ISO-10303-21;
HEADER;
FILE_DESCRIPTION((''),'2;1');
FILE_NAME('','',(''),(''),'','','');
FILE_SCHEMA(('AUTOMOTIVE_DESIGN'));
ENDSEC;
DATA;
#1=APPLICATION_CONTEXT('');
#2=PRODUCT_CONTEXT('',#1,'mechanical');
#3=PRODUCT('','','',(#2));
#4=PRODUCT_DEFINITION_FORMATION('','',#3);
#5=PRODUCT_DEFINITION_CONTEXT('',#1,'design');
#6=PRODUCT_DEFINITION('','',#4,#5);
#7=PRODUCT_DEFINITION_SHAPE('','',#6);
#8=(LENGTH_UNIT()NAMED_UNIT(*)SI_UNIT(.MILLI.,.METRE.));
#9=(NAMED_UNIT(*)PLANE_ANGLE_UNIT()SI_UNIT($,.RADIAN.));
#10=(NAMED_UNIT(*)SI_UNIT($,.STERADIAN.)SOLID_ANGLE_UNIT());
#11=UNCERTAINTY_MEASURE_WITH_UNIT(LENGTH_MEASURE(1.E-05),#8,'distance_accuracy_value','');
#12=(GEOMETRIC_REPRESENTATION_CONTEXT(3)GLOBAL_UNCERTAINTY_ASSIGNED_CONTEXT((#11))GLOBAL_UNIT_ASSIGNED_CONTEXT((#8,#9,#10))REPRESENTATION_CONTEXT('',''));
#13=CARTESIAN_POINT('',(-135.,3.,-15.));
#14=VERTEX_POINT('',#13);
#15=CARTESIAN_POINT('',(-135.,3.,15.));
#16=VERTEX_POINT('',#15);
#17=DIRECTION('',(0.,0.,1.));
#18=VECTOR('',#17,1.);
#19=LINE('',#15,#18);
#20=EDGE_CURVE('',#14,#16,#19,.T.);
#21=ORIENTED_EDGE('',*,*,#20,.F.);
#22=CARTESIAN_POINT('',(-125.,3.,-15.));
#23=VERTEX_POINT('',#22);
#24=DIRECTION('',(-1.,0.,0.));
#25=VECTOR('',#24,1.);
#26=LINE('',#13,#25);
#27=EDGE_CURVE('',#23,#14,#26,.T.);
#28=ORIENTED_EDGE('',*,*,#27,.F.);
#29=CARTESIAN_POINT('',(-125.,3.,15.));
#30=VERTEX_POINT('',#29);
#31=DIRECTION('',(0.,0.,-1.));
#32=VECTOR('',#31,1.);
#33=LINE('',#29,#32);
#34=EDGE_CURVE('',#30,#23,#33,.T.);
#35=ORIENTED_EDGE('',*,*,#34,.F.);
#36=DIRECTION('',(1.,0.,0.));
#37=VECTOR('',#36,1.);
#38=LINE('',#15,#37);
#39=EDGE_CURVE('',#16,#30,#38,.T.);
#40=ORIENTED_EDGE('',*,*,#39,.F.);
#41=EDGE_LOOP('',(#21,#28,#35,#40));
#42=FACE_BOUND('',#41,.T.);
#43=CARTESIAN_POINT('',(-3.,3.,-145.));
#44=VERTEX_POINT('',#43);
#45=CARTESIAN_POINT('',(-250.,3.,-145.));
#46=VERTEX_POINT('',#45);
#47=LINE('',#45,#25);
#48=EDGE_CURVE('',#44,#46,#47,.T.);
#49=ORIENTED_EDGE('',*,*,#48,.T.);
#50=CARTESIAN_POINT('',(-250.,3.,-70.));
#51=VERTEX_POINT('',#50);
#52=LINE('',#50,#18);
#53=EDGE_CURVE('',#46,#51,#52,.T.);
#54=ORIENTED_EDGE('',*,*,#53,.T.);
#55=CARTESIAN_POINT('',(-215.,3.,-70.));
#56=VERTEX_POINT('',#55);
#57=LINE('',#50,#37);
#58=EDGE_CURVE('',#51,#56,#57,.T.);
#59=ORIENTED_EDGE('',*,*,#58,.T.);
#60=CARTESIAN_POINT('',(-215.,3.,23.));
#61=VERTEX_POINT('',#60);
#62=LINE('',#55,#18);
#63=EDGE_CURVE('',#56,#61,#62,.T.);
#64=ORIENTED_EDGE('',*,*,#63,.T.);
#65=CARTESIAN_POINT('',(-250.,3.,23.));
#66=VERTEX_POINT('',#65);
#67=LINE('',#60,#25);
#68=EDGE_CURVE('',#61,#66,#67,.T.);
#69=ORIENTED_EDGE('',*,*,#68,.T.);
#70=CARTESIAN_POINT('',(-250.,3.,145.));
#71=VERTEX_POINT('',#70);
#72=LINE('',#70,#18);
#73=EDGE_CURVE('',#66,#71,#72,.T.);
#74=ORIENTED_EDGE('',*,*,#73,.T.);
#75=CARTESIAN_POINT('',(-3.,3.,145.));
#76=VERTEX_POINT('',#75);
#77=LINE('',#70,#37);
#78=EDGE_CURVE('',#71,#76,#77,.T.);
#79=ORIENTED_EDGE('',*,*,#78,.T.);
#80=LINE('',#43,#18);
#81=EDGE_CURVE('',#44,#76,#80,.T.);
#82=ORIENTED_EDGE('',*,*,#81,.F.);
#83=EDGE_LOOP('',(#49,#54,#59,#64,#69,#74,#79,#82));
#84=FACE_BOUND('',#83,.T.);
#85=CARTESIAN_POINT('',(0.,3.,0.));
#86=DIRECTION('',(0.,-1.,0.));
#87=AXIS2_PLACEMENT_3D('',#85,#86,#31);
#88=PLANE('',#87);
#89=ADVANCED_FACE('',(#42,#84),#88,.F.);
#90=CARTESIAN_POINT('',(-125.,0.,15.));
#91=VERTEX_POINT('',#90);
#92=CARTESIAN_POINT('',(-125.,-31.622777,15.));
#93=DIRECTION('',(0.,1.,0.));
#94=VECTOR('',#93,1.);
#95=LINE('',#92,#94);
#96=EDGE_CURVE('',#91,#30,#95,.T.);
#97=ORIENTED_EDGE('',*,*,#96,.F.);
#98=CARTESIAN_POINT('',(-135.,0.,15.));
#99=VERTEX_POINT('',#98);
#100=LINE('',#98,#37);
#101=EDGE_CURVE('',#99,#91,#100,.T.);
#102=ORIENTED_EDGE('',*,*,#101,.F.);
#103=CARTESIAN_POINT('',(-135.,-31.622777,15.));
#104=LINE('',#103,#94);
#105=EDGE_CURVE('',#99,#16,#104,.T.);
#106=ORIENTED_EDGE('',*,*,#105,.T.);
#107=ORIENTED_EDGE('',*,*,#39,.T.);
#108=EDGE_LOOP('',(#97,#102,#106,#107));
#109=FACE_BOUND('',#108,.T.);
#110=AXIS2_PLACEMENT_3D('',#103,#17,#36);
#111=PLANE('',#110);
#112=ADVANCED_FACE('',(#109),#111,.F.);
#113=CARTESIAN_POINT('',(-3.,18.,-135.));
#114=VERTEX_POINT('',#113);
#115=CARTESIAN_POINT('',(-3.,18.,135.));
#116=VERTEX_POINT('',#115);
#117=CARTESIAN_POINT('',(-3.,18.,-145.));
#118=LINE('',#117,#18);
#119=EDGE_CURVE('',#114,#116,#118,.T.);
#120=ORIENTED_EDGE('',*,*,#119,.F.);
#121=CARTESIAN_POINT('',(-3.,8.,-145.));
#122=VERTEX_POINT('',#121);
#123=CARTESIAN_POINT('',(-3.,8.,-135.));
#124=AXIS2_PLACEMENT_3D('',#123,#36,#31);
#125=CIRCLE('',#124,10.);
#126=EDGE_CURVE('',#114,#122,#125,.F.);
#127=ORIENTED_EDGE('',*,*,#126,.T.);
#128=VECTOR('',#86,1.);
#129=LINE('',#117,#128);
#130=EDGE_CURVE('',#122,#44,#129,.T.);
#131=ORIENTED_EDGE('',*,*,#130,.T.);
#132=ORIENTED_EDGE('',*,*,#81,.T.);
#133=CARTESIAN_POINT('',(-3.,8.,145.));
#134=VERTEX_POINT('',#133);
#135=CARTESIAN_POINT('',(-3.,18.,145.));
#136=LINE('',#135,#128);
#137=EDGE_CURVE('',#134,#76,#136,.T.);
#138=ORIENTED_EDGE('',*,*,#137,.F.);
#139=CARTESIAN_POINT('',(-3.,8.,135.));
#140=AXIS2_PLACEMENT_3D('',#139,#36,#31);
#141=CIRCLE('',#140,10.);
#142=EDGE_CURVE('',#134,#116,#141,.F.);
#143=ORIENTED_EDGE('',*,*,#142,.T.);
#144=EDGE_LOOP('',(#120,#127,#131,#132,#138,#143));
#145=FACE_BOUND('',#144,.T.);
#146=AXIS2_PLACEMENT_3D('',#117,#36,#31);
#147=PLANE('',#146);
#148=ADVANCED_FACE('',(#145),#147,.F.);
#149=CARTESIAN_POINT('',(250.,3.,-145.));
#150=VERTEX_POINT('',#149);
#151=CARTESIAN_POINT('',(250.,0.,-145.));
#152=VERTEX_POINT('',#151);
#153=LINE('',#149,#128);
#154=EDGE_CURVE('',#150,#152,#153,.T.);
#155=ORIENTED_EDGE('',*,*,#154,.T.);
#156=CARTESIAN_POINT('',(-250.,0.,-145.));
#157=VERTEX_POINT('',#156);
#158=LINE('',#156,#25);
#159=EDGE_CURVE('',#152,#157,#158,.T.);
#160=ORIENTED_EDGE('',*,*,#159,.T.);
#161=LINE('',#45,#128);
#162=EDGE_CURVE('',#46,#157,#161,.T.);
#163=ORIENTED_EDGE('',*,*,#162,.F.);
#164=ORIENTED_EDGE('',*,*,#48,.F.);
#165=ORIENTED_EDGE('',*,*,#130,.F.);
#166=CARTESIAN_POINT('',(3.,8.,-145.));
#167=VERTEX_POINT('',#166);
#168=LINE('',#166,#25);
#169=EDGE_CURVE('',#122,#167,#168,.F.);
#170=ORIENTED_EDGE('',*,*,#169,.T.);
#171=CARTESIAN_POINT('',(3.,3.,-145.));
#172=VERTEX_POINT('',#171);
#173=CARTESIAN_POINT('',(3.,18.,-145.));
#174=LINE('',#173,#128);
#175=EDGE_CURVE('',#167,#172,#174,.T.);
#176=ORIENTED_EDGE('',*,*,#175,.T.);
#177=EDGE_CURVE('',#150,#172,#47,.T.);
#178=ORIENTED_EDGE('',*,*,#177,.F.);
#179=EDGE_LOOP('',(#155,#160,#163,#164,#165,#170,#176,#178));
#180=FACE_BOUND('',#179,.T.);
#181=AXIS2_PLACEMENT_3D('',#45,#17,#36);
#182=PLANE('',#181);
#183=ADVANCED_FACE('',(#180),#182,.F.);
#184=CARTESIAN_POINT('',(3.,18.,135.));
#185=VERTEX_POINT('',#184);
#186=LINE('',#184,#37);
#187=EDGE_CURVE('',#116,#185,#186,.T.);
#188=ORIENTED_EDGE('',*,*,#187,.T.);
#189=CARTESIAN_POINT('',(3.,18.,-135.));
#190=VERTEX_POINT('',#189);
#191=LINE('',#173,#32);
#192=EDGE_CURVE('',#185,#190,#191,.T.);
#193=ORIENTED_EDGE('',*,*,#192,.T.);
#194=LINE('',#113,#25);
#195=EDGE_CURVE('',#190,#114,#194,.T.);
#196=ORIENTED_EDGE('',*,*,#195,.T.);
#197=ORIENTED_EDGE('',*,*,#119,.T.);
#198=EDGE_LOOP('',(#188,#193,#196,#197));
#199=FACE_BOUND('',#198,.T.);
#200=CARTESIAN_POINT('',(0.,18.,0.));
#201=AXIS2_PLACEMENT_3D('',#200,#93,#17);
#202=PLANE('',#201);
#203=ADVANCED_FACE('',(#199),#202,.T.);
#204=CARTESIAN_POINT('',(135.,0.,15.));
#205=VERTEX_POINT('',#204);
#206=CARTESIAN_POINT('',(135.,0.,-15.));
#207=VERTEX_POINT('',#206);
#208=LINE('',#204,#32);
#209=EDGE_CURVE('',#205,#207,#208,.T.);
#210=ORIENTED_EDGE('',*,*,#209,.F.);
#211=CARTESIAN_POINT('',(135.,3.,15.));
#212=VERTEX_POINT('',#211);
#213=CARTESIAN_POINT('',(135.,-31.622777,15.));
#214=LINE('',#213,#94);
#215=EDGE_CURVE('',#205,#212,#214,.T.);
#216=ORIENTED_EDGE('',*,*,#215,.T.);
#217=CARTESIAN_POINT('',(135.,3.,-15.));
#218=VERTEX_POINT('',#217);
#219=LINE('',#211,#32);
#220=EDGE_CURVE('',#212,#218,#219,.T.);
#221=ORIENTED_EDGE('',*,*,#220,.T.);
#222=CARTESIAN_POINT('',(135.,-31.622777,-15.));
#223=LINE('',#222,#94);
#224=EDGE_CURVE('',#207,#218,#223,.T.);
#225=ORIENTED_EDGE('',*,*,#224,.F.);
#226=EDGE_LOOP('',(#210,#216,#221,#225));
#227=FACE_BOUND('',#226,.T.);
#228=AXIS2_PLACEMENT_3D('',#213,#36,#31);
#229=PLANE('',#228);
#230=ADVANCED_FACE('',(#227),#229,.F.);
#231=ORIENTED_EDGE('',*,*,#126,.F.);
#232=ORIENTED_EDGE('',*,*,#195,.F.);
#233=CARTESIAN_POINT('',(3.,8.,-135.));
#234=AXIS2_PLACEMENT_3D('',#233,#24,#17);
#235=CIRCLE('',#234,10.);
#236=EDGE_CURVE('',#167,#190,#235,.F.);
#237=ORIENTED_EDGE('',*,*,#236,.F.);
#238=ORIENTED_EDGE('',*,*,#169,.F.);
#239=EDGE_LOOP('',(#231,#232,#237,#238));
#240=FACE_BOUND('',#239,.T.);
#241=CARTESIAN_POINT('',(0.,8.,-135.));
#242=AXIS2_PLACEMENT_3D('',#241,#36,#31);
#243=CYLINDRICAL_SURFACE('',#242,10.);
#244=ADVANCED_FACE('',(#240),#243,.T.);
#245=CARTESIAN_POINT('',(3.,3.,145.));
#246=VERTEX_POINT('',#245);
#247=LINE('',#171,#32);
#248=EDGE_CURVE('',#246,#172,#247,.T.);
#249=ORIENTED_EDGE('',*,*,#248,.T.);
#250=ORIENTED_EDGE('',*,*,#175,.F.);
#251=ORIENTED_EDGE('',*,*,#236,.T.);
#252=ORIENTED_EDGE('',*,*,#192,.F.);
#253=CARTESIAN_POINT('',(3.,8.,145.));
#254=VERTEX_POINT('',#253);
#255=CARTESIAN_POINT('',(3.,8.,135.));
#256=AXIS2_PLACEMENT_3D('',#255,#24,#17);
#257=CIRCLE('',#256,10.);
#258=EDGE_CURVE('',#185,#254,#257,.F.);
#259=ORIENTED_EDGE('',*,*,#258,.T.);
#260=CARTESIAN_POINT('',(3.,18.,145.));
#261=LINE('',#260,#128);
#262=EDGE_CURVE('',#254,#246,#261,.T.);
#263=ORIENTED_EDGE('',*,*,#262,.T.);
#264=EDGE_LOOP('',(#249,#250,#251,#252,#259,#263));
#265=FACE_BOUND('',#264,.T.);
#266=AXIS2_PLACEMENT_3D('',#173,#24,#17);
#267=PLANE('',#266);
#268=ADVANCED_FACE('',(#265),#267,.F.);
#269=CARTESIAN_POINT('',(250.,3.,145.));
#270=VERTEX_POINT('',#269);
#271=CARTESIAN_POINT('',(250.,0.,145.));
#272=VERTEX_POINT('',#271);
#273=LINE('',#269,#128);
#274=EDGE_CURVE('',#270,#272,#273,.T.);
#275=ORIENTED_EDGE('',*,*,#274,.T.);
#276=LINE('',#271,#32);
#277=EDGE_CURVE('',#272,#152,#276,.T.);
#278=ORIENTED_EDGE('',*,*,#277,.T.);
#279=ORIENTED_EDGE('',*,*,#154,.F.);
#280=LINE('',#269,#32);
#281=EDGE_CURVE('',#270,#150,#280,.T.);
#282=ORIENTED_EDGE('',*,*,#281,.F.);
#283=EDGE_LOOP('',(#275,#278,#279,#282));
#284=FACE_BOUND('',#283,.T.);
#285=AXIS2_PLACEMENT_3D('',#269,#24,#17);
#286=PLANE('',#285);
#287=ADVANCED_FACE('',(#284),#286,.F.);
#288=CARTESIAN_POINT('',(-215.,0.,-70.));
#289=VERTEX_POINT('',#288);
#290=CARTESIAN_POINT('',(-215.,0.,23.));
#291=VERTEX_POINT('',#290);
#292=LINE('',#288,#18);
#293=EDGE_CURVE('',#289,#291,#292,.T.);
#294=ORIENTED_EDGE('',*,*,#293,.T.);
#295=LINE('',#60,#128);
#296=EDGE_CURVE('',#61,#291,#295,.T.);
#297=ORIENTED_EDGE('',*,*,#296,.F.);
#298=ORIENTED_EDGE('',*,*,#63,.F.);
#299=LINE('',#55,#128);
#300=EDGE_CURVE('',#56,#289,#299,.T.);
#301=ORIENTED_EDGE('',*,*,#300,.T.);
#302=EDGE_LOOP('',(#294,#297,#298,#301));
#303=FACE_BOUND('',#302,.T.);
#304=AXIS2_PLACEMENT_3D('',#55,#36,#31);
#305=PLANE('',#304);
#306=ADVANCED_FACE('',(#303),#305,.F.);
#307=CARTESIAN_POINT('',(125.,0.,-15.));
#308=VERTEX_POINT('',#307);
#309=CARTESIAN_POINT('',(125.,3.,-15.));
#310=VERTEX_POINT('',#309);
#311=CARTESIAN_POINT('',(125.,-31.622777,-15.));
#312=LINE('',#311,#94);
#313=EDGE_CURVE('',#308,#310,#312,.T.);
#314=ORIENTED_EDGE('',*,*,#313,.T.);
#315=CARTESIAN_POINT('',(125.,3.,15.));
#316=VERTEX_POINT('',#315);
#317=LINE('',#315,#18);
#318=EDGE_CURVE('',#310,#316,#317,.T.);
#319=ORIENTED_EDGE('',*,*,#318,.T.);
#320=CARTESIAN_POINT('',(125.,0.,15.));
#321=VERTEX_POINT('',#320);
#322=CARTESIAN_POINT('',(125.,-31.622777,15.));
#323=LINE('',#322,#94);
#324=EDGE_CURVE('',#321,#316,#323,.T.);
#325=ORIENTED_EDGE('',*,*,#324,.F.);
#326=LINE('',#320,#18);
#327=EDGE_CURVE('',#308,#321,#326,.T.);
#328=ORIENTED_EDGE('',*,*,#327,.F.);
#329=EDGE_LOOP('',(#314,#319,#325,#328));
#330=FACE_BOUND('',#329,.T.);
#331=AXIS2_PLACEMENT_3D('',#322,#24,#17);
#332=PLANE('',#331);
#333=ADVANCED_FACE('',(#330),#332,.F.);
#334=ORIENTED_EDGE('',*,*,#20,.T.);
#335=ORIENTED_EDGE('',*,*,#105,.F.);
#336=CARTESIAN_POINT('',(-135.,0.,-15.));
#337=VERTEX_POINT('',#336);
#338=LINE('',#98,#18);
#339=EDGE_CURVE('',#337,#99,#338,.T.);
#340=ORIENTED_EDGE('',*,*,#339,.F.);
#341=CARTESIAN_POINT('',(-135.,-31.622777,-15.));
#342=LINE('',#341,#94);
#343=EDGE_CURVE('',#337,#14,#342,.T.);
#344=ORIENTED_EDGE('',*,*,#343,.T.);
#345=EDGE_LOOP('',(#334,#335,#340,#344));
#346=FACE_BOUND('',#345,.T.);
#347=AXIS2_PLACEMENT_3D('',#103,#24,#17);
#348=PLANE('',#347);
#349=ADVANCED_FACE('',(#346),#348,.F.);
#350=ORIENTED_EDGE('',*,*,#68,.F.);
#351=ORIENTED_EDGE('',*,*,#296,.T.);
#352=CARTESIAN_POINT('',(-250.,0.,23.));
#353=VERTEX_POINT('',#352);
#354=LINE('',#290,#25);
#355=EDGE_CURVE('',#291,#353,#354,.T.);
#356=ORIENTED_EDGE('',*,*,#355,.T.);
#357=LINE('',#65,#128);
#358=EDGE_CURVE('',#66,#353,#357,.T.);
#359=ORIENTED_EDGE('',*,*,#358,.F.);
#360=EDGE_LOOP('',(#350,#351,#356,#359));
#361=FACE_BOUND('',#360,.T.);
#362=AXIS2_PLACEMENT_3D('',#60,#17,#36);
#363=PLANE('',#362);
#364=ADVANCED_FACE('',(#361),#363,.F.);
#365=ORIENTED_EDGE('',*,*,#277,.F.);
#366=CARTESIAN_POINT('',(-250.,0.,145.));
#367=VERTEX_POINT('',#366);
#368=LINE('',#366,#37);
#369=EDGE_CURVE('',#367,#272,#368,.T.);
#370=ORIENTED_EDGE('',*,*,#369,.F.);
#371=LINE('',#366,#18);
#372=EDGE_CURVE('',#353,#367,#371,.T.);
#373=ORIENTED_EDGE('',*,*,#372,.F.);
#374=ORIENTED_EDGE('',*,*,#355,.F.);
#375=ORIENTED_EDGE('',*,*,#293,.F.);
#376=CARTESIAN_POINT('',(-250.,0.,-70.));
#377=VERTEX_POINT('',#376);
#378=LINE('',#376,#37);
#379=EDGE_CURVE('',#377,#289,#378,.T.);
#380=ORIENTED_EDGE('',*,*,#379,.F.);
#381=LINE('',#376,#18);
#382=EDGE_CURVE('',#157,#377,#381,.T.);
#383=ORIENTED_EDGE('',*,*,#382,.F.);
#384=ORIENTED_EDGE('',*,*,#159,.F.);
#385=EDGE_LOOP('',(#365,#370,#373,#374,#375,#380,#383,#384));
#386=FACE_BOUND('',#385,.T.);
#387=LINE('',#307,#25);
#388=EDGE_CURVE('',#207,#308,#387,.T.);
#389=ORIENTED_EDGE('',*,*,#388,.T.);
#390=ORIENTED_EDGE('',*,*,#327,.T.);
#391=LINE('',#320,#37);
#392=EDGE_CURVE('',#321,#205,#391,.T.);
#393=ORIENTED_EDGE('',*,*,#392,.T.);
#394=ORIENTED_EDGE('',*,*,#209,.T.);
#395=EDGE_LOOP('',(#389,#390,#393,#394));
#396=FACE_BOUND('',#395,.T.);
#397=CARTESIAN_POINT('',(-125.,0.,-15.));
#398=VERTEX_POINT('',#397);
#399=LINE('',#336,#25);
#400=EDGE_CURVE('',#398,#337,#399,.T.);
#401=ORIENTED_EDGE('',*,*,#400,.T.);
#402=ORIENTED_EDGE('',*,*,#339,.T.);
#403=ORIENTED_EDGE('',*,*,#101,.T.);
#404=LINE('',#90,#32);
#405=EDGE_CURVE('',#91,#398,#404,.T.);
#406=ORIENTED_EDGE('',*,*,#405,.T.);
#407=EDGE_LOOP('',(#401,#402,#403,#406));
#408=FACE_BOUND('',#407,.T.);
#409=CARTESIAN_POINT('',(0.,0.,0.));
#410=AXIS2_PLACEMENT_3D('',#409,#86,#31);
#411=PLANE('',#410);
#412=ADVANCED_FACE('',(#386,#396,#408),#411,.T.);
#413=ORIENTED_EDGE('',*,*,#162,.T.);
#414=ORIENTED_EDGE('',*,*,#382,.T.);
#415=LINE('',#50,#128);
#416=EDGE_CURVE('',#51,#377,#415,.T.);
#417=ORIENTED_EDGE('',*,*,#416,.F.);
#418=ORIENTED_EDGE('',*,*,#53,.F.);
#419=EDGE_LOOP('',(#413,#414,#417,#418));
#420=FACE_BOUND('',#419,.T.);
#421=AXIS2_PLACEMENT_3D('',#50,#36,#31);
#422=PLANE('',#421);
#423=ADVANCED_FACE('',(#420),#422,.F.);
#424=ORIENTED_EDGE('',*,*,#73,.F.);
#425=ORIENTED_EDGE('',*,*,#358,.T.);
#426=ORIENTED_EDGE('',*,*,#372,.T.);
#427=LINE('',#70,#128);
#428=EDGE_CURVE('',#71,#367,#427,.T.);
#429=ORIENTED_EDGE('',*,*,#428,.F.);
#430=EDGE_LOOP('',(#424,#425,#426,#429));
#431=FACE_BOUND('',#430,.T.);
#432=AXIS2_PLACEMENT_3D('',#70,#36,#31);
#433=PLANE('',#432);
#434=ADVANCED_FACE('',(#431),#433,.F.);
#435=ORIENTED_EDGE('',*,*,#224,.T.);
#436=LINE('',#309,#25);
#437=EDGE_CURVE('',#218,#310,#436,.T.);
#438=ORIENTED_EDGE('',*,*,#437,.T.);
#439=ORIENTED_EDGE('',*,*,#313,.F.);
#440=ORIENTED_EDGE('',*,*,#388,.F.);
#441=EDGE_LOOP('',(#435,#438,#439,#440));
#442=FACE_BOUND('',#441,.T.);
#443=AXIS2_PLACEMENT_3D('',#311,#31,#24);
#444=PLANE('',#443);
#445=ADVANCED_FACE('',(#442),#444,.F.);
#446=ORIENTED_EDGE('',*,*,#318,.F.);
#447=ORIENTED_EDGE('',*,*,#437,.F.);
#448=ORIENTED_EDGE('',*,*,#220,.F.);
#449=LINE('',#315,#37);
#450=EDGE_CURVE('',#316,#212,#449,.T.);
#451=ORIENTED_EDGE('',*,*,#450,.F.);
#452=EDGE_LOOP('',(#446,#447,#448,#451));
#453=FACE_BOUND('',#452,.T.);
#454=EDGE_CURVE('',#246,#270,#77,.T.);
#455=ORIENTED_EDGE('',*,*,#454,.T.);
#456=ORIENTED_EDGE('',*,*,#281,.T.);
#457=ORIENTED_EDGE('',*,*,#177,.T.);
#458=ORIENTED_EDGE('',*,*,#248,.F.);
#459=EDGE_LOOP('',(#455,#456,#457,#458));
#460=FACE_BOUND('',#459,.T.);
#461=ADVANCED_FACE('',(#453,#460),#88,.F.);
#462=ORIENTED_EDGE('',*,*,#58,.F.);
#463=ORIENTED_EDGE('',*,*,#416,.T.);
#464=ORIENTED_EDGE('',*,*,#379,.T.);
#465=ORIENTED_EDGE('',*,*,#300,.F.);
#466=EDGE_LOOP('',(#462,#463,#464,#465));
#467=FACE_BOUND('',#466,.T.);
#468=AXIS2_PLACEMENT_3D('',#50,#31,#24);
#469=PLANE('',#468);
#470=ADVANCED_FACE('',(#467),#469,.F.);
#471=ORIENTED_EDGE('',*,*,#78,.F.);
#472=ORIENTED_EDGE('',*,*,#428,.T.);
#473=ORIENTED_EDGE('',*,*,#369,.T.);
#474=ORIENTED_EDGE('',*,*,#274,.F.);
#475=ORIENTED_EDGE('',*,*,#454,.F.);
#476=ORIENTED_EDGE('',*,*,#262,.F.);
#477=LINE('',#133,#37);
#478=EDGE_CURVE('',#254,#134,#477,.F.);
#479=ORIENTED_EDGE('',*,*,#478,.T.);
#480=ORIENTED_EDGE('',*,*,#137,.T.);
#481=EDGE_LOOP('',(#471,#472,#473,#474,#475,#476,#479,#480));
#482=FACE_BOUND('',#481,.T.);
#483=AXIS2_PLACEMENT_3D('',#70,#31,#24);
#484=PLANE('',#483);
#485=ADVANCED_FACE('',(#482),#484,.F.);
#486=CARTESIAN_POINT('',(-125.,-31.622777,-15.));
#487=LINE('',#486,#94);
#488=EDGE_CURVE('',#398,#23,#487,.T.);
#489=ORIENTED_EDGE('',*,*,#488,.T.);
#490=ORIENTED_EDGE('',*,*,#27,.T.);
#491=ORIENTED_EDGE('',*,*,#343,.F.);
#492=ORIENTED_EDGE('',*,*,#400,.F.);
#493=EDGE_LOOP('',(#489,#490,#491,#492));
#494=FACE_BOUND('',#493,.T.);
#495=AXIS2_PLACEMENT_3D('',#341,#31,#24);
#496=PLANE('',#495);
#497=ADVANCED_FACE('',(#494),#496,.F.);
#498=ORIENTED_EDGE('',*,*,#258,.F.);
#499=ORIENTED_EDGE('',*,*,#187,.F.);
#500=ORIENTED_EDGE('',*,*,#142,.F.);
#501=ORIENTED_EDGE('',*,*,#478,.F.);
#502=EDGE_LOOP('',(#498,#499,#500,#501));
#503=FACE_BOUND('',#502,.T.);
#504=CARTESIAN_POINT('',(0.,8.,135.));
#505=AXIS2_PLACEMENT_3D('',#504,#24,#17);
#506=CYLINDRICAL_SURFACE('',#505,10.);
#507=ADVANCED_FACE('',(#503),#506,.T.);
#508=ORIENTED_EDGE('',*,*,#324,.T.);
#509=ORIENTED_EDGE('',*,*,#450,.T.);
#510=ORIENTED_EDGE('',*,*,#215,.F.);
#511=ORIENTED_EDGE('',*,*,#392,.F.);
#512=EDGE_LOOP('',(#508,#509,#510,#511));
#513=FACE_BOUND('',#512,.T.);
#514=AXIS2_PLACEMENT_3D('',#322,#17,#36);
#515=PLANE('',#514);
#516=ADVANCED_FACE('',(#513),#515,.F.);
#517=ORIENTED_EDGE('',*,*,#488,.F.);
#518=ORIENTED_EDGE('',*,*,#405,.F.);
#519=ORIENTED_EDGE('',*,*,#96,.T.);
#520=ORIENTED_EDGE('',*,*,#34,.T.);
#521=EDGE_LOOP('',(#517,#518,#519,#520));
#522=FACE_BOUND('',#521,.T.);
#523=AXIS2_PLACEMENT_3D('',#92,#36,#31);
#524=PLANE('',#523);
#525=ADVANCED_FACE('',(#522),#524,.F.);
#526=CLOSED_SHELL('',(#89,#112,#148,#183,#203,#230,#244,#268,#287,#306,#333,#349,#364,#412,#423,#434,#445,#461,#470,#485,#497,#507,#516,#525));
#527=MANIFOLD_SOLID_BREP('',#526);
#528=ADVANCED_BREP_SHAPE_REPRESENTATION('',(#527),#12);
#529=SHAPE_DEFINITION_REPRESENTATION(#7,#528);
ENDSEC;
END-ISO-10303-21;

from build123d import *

# Parameters (mm, degrees)
BOSS_EXTRUDE1_DEPTH = 3
SKETCH2_W           = 10
SKETCH2_H           = 30
CUT_EXTRUDE1_DEPTH  = 3
SKETCH3_W           = 6
SKETCH3_H           = 290
BOSS_EXTRUDE2_DEPTH = 15
FILLET1_R           = 10


with BuildPart() as part:
    # Sketch1 → Boss-Extrude1 (new body)
    with BuildSketch(Plane(origin=(0, 0, 0), x_dir=(1, 0, 0), z_dir=(0, 1, 0))):
        Polygon((-250, -145), (250, -145), (250, 145), (-250, 145), (-250, 70), (-215, 70), (-215, -23), (-250, -23), align=None)
    extrude(amount=BOSS_EXTRUDE1_DEPTH)

    # Sketch2 → Cut-Extrude1 (cut)
    with BuildSketch(Plane(origin=(0, 3, 0), x_dir=(1, 0, 0), z_dir=(0, 1, 0))):
        with Locations((130, 0)):
            Rectangle(SKETCH2_W, SKETCH2_H)
        with Locations((-130, 0)):
            Rectangle(SKETCH2_W, SKETCH2_H)
    extrude(amount=-CUT_EXTRUDE1_DEPTH, mode=Mode.SUBTRACT)

    # Sketch3 → Boss-Extrude2 (add)
    with BuildSketch(Plane(origin=(0, 3, 0), x_dir=(1, 0, 0), z_dir=(0, 1, 0))):
        Rectangle(SKETCH3_W, SKETCH3_H)
    extrude(amount=BOSS_EXTRUDE2_DEPTH)

    # Fillet1
    fillet1_edges = [part.edges().sort_by_distance(p)[0] for p in [
        (0, 18, -145),
        (0, 18, 145),
    ]]
    fillet(fillet1_edges, radius=FILLET1_R)


solid = part.part
